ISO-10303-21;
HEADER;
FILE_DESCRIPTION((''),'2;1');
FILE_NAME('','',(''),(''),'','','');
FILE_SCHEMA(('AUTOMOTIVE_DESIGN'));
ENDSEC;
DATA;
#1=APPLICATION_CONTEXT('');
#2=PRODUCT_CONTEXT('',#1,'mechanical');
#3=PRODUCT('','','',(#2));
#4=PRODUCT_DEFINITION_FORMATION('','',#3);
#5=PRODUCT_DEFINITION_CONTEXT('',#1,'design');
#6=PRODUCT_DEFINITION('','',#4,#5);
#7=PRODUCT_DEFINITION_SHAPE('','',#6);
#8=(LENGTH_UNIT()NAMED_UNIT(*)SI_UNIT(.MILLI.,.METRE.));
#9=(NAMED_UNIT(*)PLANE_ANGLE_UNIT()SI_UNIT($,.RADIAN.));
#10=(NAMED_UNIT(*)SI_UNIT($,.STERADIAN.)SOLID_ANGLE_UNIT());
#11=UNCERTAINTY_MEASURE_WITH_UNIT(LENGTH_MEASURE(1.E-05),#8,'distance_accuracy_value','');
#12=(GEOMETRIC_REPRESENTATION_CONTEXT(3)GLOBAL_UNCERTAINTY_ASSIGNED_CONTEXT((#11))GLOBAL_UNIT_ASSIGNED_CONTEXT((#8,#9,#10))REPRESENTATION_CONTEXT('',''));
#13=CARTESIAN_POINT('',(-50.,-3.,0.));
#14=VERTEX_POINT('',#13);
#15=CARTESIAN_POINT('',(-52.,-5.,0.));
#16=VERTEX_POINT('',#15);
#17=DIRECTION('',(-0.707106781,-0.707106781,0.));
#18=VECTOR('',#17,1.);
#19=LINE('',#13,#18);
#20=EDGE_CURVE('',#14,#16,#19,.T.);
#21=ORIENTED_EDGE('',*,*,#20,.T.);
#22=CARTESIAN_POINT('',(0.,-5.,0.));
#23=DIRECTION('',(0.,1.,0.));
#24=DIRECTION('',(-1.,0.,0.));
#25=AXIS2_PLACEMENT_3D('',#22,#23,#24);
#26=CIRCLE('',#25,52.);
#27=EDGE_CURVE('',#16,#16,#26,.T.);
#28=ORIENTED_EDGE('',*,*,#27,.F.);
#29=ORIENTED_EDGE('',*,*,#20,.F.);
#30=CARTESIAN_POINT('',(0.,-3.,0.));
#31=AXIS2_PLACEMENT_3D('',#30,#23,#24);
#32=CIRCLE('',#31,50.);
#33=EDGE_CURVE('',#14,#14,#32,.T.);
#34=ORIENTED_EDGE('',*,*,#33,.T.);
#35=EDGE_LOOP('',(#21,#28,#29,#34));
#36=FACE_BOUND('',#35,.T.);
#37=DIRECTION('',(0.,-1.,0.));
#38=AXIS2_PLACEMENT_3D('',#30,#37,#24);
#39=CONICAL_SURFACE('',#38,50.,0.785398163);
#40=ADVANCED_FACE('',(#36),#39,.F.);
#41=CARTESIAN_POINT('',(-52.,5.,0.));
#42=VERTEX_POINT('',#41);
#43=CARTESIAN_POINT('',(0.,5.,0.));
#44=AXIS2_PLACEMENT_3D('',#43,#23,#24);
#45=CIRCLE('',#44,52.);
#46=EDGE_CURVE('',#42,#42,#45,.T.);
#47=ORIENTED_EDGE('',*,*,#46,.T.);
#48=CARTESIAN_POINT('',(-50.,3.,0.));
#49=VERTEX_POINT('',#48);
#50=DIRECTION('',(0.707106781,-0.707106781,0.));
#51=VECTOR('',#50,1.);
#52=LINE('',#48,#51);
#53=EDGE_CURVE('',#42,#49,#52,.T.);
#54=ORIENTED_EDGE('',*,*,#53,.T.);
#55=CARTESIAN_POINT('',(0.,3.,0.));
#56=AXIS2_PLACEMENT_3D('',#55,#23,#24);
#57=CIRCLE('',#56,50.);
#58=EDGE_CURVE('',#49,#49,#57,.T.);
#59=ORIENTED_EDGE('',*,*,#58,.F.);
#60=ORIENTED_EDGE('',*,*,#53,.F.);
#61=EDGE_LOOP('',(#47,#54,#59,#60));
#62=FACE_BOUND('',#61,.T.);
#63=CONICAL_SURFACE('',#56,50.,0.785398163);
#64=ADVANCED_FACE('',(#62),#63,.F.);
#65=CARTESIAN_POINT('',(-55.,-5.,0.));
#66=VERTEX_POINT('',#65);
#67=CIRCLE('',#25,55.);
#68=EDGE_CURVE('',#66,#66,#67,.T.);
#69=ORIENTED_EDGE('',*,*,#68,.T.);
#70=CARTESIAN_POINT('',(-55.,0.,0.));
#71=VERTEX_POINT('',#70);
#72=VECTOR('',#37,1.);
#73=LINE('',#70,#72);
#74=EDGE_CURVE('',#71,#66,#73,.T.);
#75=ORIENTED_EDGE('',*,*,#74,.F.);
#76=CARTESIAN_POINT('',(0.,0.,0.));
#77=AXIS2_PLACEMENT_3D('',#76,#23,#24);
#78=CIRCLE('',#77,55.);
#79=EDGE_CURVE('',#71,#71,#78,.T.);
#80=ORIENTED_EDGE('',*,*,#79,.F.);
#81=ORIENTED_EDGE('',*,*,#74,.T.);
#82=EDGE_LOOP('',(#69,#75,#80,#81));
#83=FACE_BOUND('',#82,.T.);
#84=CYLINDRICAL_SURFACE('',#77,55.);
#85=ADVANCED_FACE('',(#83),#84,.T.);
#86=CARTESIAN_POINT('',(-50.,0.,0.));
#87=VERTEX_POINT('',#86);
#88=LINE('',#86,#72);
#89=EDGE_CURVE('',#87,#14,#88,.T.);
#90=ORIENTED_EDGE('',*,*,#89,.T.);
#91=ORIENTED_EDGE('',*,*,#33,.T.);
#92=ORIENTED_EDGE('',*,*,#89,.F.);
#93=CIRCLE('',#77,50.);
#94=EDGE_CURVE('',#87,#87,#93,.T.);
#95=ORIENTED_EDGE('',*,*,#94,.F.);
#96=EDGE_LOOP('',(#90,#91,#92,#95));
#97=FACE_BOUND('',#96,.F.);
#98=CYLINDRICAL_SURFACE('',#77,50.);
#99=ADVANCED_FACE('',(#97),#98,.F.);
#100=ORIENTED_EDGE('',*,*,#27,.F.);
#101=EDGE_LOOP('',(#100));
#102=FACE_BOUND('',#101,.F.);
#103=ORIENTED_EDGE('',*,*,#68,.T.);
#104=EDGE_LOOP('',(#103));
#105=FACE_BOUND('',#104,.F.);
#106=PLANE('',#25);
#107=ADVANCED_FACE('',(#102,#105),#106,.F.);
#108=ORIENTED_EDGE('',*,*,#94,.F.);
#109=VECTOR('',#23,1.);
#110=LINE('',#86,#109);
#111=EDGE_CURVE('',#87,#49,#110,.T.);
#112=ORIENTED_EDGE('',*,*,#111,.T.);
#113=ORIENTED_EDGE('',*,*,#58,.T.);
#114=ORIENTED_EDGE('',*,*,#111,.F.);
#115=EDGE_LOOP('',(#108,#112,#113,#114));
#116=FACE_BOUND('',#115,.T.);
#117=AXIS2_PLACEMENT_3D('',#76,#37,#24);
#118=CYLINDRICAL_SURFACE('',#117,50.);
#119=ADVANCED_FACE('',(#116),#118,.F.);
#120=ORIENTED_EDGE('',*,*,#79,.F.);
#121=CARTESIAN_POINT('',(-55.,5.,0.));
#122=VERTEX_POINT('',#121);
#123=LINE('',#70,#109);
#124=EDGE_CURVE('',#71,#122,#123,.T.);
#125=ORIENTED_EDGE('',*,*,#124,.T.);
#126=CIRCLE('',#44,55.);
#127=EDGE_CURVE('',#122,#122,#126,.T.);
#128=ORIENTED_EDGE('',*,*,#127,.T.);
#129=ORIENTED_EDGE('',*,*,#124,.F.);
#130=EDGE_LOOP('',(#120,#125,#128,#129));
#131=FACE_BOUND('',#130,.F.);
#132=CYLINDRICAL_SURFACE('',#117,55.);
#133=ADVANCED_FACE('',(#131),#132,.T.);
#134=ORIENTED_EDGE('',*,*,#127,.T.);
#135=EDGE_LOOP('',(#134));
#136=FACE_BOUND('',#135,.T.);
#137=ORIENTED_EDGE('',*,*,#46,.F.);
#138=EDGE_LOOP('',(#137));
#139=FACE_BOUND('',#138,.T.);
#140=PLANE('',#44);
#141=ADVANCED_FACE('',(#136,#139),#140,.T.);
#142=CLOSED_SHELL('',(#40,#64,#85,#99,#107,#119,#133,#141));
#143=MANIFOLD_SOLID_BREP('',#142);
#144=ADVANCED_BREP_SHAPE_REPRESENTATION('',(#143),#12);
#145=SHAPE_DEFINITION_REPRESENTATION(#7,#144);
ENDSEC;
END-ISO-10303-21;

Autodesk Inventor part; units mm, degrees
ref_plane "YZ Plane" through (0, 0, 0) normal (1, 0, 0) x (0, 1, 0)
ref_plane "XZ Plane" through (0, 0, 0) normal (0, 1, 0) x (-1, 0, 0)
ref_plane "XY Plane" through (0, 0, 0) normal (0, 0, 1) x (1, 0, 0)
sketch "Sketch1" plane through (0, 0, 0) normal (0, 1, 0) x (-1, 0, 0)
  circle A0 centre (0, 0) radius 50
  circle A1 centre (0, 0) radius 55
  dimension "d0" = 100
  dimension "d1" = 110
extrude "Extrusion1" add sketch "Sketch1" along normal mid plane 10
chamfer "Chamfer1" distance 2 angle 45 1 edges at (50, 5, 0)
chamfer "Chamfer2" distance 2 angle 45 1 edges at (50, -5, 0)
sketch "Sketch2" plane through (0, 0, 0) normal (0, 1, 0) x (-1, 0, 0)
  point P0 (0, 0)
properties part number "Ring"
